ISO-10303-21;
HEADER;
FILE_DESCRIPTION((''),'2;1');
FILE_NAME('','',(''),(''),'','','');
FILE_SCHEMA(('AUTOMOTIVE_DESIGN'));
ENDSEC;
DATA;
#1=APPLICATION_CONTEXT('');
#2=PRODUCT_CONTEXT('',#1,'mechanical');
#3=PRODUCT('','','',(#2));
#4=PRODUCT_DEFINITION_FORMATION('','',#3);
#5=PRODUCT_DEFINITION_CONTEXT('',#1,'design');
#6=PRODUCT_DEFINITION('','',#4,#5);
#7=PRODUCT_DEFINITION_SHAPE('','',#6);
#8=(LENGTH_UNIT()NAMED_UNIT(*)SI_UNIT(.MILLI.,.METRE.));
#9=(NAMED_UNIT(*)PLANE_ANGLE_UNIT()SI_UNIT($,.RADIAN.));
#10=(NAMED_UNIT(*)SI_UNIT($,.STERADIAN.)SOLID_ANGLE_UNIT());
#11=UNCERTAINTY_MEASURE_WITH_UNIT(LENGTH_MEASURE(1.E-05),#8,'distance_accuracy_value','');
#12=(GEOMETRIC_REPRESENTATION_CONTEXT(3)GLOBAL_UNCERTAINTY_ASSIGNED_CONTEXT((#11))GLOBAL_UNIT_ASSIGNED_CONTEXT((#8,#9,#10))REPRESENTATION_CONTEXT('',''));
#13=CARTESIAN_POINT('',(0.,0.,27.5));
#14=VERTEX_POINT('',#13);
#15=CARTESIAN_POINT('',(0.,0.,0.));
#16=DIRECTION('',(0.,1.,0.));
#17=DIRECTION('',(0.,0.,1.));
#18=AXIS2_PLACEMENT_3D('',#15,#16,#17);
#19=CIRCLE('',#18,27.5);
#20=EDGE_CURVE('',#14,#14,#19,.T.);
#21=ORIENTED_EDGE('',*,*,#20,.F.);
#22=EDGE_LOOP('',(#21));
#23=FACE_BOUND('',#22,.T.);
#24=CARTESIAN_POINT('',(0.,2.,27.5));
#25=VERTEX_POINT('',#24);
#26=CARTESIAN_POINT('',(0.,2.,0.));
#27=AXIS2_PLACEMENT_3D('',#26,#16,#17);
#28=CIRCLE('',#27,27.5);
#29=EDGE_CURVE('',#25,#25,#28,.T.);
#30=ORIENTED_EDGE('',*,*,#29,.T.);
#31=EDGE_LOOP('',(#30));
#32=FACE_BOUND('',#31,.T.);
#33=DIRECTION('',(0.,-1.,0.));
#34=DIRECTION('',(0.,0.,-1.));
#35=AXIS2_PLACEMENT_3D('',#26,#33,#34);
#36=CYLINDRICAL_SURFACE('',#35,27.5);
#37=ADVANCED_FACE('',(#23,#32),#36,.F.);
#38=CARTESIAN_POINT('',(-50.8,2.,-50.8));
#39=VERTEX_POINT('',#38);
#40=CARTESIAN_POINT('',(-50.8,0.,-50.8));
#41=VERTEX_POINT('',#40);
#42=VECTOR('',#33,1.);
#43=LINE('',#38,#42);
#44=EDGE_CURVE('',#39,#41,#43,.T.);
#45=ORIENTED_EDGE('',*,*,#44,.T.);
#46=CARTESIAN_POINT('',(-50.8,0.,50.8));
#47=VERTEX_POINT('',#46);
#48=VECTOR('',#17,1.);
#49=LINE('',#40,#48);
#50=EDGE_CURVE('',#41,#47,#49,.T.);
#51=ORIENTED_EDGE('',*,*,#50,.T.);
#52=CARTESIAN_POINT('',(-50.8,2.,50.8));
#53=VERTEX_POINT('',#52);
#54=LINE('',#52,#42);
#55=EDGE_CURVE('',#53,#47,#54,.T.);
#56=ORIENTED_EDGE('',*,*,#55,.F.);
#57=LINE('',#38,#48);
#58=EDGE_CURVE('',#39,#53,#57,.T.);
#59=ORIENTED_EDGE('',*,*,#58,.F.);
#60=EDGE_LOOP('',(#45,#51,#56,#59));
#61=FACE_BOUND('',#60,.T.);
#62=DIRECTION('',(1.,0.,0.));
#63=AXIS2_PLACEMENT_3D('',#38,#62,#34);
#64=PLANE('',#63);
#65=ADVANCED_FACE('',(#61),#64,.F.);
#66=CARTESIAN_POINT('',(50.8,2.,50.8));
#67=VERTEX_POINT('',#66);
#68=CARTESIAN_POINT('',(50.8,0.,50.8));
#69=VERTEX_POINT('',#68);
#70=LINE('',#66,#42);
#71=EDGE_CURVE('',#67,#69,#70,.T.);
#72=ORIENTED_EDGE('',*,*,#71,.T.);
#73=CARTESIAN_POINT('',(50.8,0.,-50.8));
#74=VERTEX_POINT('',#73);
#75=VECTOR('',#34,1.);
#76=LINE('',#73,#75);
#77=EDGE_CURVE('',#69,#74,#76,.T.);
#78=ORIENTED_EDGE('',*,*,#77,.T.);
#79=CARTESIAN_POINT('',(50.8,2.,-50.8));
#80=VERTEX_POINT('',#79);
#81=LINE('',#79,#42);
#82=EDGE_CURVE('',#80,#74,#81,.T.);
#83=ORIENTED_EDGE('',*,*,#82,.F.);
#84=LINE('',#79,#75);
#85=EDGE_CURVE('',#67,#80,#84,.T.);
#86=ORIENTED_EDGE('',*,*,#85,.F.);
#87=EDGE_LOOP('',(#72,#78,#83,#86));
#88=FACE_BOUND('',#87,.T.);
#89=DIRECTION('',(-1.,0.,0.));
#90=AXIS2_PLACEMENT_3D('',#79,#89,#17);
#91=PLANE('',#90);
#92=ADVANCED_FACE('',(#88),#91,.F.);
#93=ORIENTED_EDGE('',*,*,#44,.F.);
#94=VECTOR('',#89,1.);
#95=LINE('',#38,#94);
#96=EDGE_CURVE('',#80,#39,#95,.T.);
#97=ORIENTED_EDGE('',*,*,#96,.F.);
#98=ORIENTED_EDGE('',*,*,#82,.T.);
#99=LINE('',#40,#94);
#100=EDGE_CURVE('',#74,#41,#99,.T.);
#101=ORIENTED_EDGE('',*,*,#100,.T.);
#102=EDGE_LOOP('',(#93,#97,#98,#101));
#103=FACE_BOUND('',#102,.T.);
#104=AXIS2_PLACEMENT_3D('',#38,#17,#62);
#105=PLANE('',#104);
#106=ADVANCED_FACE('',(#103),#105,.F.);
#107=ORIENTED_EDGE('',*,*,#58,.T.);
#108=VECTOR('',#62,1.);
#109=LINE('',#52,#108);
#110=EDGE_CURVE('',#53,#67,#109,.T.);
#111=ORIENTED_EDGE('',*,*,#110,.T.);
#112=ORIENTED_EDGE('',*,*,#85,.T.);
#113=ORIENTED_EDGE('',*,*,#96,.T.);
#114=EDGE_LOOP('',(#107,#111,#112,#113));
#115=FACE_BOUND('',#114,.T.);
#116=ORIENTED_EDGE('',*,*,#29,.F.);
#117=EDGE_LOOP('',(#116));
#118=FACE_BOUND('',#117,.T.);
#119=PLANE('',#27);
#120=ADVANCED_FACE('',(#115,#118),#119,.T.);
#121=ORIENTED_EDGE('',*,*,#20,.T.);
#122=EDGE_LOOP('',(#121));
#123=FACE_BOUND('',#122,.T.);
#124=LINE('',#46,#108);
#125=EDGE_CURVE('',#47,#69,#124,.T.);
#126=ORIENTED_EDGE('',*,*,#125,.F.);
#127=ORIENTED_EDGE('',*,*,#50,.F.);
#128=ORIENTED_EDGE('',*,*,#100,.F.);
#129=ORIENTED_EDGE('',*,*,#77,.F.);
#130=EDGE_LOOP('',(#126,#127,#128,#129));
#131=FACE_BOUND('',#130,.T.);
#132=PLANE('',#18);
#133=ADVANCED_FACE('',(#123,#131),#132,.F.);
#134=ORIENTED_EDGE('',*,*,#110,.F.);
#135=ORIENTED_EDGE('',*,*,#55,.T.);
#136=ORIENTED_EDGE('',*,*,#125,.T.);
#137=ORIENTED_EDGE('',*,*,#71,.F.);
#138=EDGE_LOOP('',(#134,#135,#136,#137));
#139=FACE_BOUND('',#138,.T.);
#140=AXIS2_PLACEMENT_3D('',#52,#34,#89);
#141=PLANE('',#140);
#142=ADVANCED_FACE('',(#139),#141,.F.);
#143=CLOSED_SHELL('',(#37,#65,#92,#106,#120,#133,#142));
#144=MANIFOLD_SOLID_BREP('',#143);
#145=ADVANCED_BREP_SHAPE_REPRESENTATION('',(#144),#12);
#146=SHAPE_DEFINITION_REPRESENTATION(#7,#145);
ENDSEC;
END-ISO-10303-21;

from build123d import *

# Parameters (mm, degrees)
SKETCH1_W           = 101.6
SKETCH1_H           = 101.6
SKETCH1_R           = 27.5
BOSS_EXTRUDE1_DEPTH = 2


with BuildPart() as part:
    # Sketch1 → Boss-Extrude1 (new body)
    with BuildSketch(Plane(origin=(0, 0, 0), x_dir=(1, 0, 0), z_dir=(0, 1, 0))):
        Rectangle(SKETCH1_W, SKETCH1_H)
        with Locations(Location((0, 0, 0), (0, 0, 270))):
            Circle(SKETCH1_R, mode=Mode.SUBTRACT)
    extrude(amount=BOSS_EXTRUDE1_DEPTH)


solid = part.part
